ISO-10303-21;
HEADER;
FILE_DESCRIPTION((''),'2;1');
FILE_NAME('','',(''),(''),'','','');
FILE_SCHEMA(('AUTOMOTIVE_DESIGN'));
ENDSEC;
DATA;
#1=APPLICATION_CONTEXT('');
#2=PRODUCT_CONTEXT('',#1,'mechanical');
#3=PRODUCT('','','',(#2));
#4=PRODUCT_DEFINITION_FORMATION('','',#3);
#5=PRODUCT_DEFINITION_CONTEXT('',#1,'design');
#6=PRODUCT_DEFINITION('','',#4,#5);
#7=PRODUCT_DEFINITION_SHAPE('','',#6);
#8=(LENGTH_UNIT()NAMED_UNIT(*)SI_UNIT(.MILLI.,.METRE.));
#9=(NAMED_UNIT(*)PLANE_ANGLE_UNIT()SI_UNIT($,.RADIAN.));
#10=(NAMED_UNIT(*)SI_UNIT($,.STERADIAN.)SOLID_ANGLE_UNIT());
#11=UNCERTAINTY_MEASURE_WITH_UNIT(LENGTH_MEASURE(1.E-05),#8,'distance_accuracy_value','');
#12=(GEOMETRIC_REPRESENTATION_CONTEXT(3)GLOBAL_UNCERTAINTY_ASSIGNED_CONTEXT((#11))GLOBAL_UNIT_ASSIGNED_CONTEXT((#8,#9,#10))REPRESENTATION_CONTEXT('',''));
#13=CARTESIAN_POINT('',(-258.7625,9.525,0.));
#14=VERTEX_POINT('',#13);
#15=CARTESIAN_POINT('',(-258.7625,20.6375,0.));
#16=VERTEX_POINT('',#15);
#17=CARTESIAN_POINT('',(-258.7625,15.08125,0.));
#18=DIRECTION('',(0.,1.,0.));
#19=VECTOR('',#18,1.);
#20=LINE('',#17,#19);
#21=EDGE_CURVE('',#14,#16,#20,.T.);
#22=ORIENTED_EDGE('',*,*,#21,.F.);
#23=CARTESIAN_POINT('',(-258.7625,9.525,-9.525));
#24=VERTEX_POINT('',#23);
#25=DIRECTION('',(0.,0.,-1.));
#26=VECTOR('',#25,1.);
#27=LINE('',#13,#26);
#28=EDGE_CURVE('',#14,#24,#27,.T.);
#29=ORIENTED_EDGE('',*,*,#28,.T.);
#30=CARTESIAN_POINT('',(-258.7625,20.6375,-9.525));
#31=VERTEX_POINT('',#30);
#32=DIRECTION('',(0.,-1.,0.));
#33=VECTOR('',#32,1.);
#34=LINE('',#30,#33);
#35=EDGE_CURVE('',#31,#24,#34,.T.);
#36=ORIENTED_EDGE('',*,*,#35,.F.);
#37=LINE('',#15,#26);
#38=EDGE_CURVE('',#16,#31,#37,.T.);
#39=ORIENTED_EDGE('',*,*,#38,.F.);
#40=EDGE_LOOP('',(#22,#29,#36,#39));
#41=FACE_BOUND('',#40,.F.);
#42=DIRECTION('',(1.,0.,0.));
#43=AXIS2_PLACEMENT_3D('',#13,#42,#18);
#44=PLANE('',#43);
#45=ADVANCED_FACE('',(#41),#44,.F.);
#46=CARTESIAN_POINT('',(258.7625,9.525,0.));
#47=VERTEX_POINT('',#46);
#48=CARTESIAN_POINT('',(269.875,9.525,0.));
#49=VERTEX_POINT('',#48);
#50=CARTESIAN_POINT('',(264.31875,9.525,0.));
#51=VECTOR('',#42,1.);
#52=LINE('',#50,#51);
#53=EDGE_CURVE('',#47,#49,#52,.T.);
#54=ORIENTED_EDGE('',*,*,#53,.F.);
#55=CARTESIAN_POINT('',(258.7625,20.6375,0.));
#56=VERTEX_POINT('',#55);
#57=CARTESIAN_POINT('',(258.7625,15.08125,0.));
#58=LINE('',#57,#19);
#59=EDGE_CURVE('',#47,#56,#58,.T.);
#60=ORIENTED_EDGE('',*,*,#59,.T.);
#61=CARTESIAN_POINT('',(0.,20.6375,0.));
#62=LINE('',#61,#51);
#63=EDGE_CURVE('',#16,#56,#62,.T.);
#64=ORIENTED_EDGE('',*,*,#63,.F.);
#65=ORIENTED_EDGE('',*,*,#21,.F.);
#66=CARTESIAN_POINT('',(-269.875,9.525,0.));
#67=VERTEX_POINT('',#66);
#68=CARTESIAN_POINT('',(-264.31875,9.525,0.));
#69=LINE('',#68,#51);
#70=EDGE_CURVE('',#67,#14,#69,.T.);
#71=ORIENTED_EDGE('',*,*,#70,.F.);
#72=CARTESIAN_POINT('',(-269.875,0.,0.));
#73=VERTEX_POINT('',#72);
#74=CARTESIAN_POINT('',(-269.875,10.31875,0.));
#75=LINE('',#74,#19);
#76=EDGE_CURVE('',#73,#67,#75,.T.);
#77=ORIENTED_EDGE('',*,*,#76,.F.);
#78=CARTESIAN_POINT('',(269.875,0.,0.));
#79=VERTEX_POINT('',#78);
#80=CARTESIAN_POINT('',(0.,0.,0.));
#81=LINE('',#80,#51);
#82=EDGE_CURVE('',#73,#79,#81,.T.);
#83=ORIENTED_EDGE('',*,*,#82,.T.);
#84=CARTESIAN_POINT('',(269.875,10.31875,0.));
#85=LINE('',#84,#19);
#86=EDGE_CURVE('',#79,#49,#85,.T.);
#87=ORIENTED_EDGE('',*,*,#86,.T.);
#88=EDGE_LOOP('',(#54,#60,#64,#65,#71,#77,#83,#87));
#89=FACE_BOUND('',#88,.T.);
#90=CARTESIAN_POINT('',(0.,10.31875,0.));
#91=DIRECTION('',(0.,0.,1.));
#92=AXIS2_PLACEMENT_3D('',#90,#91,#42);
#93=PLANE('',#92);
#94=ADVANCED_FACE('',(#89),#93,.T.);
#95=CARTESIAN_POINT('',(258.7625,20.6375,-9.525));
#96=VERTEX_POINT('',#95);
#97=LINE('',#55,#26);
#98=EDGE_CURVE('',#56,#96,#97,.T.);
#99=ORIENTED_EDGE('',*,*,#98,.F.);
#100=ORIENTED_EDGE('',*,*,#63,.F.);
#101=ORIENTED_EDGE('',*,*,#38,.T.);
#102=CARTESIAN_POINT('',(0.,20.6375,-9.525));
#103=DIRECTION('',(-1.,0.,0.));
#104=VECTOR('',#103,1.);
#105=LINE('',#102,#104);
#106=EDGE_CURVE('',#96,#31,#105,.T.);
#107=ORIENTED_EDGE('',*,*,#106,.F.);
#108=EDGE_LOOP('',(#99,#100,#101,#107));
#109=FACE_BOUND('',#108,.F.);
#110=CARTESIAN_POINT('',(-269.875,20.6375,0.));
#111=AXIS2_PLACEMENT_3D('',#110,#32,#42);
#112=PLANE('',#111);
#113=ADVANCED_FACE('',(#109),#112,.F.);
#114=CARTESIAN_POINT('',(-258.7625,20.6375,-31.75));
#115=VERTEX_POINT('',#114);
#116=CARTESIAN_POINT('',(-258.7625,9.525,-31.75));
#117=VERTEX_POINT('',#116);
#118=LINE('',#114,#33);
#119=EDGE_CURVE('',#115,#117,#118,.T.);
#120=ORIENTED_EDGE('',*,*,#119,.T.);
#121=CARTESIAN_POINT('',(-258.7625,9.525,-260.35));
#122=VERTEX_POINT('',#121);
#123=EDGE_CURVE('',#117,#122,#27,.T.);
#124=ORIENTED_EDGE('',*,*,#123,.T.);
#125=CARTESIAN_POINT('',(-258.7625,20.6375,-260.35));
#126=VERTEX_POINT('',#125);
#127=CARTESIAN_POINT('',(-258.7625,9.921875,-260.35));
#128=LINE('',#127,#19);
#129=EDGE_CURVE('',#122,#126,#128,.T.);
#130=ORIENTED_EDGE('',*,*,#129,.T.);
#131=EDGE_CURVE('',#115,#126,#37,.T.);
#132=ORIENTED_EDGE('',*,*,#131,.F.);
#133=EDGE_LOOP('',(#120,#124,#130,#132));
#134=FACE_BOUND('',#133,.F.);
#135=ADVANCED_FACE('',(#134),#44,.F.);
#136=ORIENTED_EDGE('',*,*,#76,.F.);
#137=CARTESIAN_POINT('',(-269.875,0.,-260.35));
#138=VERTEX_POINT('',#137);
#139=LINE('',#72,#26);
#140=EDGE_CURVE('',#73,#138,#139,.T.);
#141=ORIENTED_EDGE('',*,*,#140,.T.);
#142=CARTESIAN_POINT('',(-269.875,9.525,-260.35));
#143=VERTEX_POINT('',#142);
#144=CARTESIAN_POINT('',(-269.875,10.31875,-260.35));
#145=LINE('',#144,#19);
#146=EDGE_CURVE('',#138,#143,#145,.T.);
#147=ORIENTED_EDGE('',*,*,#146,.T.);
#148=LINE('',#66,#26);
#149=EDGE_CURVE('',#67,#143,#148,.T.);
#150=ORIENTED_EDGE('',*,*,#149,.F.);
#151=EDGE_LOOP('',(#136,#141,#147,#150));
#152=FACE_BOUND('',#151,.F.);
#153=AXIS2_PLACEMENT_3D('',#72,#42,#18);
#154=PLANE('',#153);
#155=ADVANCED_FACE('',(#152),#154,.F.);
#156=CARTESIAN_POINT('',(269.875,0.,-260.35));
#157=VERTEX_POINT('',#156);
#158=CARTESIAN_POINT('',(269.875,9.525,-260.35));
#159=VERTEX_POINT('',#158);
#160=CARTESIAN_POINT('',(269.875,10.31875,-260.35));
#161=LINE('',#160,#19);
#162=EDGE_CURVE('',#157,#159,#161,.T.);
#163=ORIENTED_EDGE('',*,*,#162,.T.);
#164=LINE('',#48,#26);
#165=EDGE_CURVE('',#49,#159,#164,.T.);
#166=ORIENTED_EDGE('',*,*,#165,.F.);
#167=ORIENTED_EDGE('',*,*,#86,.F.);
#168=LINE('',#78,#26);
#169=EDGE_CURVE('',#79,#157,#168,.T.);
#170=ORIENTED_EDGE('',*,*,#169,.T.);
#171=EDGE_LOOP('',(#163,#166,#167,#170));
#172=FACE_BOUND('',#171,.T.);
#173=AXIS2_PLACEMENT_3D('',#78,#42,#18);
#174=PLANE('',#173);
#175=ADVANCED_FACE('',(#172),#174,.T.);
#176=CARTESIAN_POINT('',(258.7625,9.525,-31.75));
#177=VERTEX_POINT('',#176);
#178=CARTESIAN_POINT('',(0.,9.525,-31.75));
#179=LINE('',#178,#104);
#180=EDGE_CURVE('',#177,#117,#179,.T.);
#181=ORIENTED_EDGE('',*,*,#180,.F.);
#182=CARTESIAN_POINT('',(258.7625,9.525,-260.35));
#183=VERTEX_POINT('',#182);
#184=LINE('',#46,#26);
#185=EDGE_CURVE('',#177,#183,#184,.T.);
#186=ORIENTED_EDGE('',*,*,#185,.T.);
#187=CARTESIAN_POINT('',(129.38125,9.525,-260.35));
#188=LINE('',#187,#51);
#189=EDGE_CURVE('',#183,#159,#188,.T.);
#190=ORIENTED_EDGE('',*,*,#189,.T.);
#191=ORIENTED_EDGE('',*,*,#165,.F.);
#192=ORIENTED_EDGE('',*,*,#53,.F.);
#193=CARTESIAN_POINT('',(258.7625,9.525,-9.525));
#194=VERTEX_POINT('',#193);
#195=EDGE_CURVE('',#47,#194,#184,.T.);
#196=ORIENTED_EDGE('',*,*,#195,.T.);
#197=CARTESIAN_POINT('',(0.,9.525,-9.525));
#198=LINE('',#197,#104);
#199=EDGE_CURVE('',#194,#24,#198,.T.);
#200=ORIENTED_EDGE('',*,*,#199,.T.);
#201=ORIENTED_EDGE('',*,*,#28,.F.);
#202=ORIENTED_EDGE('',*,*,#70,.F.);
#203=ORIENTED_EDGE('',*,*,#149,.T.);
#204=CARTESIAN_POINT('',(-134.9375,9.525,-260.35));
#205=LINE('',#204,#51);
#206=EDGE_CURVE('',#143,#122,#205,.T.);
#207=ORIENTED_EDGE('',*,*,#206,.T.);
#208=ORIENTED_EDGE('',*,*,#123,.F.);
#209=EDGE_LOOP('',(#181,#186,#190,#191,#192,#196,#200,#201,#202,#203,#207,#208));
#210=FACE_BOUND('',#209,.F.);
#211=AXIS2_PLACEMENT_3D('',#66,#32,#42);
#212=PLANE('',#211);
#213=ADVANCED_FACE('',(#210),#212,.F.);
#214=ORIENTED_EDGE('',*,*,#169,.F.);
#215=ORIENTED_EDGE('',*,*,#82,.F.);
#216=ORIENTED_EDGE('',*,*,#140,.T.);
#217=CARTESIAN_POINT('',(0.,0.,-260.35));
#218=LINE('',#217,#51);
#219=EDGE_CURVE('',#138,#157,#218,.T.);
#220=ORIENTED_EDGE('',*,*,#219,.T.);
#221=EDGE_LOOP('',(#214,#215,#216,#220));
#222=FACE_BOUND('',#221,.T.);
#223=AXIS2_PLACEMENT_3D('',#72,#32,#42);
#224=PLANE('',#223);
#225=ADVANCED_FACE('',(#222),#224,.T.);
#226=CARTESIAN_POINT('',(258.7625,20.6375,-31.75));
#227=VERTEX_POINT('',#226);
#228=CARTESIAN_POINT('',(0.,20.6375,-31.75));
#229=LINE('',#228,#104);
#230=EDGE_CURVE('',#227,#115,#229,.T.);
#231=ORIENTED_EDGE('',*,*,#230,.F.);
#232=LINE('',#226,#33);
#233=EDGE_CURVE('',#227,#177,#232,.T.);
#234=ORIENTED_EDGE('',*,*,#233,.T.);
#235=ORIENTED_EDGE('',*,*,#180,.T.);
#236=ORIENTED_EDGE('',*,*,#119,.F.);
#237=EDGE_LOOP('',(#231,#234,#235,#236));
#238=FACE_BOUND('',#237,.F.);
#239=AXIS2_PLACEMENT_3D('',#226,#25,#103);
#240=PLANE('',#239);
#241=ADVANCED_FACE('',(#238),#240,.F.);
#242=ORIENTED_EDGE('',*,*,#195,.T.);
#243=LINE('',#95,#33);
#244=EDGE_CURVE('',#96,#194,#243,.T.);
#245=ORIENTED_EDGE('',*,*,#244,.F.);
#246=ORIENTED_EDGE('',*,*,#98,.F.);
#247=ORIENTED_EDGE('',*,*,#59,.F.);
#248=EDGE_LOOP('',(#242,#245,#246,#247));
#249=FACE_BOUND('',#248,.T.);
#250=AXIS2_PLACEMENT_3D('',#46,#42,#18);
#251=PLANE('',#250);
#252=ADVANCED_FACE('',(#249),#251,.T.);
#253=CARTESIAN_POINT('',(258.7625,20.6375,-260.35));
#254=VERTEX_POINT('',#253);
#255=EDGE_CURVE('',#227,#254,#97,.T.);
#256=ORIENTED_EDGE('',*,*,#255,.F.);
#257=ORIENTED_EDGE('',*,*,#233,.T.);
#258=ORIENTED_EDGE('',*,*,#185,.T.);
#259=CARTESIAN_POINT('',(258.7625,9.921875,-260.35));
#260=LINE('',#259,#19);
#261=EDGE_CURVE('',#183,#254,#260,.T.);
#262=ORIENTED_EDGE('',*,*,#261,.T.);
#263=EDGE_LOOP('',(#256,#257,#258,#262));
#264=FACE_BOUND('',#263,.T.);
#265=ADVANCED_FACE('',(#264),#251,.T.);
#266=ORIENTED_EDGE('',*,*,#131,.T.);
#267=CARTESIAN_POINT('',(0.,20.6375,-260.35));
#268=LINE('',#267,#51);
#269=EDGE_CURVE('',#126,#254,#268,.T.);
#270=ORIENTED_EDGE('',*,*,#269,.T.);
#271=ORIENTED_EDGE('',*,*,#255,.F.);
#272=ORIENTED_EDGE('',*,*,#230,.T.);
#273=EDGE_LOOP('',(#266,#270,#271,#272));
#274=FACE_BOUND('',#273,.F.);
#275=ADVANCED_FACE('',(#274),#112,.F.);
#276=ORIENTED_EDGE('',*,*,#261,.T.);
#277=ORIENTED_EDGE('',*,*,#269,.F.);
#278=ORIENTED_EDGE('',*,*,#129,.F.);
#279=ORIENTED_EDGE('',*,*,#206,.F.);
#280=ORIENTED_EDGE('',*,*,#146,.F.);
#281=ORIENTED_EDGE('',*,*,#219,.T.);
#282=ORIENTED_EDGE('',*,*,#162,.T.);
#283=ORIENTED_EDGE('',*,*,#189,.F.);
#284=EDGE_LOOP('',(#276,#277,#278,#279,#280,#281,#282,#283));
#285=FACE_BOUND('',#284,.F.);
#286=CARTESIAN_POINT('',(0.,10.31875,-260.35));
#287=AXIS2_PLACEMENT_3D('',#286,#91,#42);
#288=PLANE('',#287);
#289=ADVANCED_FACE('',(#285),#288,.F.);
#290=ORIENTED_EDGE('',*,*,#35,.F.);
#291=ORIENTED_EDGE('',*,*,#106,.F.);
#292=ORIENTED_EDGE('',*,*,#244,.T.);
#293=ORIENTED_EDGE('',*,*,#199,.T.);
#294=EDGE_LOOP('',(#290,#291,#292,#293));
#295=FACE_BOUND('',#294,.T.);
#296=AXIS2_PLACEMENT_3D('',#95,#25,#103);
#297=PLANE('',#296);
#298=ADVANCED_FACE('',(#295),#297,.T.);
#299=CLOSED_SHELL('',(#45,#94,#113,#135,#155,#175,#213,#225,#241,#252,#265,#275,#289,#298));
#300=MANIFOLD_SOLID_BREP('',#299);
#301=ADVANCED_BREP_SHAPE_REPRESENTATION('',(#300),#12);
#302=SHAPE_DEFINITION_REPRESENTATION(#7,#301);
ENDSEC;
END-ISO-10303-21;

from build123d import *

# Parameters (mm, degrees)
F0_W     = 539.75
F0_H     = 20.6375
F1_DEPTH = 260.35
F2_W     = 11.1125
F2_H     = 11.1125
F3_DEPTH = 260.351
F4_W     = 517.525
F4_H     = 22.225
F5_DEPTH = 11.1125


with BuildPart() as f1:
    # F0 (on Top) → F1 (new body)
    with BuildSketch(Plane.XY):
        with Locations((0, 10.31875)):
            Rectangle(F0_W, F0_H)
    extrude(amount=-F1_DEPTH)

    # F2 (on face) → F3 (cut, through all)
    with BuildSketch(Plane.XY):
        with Locations((-264.31875, 15.08125)):
            Rectangle(F2_W, F2_H)
        with Locations((264.31875, 15.08125)):
            Rectangle(F2_W, F2_H)
    extrude(amount=-F3_DEPTH, mode=Mode.SUBTRACT)

    # F4 (on face) → F5 (cut, through all)
    with BuildSketch(Plane(origin=(0, 20.6375, 0), x_dir=(-1, 0, 0), z_dir=(0, 1, 0))):
        with Locations((0, -20.6375)):
            Rectangle(F4_W, F4_H)
    extrude(amount=-F5_DEPTH, mode=Mode.SUBTRACT)


solid = f1.part
